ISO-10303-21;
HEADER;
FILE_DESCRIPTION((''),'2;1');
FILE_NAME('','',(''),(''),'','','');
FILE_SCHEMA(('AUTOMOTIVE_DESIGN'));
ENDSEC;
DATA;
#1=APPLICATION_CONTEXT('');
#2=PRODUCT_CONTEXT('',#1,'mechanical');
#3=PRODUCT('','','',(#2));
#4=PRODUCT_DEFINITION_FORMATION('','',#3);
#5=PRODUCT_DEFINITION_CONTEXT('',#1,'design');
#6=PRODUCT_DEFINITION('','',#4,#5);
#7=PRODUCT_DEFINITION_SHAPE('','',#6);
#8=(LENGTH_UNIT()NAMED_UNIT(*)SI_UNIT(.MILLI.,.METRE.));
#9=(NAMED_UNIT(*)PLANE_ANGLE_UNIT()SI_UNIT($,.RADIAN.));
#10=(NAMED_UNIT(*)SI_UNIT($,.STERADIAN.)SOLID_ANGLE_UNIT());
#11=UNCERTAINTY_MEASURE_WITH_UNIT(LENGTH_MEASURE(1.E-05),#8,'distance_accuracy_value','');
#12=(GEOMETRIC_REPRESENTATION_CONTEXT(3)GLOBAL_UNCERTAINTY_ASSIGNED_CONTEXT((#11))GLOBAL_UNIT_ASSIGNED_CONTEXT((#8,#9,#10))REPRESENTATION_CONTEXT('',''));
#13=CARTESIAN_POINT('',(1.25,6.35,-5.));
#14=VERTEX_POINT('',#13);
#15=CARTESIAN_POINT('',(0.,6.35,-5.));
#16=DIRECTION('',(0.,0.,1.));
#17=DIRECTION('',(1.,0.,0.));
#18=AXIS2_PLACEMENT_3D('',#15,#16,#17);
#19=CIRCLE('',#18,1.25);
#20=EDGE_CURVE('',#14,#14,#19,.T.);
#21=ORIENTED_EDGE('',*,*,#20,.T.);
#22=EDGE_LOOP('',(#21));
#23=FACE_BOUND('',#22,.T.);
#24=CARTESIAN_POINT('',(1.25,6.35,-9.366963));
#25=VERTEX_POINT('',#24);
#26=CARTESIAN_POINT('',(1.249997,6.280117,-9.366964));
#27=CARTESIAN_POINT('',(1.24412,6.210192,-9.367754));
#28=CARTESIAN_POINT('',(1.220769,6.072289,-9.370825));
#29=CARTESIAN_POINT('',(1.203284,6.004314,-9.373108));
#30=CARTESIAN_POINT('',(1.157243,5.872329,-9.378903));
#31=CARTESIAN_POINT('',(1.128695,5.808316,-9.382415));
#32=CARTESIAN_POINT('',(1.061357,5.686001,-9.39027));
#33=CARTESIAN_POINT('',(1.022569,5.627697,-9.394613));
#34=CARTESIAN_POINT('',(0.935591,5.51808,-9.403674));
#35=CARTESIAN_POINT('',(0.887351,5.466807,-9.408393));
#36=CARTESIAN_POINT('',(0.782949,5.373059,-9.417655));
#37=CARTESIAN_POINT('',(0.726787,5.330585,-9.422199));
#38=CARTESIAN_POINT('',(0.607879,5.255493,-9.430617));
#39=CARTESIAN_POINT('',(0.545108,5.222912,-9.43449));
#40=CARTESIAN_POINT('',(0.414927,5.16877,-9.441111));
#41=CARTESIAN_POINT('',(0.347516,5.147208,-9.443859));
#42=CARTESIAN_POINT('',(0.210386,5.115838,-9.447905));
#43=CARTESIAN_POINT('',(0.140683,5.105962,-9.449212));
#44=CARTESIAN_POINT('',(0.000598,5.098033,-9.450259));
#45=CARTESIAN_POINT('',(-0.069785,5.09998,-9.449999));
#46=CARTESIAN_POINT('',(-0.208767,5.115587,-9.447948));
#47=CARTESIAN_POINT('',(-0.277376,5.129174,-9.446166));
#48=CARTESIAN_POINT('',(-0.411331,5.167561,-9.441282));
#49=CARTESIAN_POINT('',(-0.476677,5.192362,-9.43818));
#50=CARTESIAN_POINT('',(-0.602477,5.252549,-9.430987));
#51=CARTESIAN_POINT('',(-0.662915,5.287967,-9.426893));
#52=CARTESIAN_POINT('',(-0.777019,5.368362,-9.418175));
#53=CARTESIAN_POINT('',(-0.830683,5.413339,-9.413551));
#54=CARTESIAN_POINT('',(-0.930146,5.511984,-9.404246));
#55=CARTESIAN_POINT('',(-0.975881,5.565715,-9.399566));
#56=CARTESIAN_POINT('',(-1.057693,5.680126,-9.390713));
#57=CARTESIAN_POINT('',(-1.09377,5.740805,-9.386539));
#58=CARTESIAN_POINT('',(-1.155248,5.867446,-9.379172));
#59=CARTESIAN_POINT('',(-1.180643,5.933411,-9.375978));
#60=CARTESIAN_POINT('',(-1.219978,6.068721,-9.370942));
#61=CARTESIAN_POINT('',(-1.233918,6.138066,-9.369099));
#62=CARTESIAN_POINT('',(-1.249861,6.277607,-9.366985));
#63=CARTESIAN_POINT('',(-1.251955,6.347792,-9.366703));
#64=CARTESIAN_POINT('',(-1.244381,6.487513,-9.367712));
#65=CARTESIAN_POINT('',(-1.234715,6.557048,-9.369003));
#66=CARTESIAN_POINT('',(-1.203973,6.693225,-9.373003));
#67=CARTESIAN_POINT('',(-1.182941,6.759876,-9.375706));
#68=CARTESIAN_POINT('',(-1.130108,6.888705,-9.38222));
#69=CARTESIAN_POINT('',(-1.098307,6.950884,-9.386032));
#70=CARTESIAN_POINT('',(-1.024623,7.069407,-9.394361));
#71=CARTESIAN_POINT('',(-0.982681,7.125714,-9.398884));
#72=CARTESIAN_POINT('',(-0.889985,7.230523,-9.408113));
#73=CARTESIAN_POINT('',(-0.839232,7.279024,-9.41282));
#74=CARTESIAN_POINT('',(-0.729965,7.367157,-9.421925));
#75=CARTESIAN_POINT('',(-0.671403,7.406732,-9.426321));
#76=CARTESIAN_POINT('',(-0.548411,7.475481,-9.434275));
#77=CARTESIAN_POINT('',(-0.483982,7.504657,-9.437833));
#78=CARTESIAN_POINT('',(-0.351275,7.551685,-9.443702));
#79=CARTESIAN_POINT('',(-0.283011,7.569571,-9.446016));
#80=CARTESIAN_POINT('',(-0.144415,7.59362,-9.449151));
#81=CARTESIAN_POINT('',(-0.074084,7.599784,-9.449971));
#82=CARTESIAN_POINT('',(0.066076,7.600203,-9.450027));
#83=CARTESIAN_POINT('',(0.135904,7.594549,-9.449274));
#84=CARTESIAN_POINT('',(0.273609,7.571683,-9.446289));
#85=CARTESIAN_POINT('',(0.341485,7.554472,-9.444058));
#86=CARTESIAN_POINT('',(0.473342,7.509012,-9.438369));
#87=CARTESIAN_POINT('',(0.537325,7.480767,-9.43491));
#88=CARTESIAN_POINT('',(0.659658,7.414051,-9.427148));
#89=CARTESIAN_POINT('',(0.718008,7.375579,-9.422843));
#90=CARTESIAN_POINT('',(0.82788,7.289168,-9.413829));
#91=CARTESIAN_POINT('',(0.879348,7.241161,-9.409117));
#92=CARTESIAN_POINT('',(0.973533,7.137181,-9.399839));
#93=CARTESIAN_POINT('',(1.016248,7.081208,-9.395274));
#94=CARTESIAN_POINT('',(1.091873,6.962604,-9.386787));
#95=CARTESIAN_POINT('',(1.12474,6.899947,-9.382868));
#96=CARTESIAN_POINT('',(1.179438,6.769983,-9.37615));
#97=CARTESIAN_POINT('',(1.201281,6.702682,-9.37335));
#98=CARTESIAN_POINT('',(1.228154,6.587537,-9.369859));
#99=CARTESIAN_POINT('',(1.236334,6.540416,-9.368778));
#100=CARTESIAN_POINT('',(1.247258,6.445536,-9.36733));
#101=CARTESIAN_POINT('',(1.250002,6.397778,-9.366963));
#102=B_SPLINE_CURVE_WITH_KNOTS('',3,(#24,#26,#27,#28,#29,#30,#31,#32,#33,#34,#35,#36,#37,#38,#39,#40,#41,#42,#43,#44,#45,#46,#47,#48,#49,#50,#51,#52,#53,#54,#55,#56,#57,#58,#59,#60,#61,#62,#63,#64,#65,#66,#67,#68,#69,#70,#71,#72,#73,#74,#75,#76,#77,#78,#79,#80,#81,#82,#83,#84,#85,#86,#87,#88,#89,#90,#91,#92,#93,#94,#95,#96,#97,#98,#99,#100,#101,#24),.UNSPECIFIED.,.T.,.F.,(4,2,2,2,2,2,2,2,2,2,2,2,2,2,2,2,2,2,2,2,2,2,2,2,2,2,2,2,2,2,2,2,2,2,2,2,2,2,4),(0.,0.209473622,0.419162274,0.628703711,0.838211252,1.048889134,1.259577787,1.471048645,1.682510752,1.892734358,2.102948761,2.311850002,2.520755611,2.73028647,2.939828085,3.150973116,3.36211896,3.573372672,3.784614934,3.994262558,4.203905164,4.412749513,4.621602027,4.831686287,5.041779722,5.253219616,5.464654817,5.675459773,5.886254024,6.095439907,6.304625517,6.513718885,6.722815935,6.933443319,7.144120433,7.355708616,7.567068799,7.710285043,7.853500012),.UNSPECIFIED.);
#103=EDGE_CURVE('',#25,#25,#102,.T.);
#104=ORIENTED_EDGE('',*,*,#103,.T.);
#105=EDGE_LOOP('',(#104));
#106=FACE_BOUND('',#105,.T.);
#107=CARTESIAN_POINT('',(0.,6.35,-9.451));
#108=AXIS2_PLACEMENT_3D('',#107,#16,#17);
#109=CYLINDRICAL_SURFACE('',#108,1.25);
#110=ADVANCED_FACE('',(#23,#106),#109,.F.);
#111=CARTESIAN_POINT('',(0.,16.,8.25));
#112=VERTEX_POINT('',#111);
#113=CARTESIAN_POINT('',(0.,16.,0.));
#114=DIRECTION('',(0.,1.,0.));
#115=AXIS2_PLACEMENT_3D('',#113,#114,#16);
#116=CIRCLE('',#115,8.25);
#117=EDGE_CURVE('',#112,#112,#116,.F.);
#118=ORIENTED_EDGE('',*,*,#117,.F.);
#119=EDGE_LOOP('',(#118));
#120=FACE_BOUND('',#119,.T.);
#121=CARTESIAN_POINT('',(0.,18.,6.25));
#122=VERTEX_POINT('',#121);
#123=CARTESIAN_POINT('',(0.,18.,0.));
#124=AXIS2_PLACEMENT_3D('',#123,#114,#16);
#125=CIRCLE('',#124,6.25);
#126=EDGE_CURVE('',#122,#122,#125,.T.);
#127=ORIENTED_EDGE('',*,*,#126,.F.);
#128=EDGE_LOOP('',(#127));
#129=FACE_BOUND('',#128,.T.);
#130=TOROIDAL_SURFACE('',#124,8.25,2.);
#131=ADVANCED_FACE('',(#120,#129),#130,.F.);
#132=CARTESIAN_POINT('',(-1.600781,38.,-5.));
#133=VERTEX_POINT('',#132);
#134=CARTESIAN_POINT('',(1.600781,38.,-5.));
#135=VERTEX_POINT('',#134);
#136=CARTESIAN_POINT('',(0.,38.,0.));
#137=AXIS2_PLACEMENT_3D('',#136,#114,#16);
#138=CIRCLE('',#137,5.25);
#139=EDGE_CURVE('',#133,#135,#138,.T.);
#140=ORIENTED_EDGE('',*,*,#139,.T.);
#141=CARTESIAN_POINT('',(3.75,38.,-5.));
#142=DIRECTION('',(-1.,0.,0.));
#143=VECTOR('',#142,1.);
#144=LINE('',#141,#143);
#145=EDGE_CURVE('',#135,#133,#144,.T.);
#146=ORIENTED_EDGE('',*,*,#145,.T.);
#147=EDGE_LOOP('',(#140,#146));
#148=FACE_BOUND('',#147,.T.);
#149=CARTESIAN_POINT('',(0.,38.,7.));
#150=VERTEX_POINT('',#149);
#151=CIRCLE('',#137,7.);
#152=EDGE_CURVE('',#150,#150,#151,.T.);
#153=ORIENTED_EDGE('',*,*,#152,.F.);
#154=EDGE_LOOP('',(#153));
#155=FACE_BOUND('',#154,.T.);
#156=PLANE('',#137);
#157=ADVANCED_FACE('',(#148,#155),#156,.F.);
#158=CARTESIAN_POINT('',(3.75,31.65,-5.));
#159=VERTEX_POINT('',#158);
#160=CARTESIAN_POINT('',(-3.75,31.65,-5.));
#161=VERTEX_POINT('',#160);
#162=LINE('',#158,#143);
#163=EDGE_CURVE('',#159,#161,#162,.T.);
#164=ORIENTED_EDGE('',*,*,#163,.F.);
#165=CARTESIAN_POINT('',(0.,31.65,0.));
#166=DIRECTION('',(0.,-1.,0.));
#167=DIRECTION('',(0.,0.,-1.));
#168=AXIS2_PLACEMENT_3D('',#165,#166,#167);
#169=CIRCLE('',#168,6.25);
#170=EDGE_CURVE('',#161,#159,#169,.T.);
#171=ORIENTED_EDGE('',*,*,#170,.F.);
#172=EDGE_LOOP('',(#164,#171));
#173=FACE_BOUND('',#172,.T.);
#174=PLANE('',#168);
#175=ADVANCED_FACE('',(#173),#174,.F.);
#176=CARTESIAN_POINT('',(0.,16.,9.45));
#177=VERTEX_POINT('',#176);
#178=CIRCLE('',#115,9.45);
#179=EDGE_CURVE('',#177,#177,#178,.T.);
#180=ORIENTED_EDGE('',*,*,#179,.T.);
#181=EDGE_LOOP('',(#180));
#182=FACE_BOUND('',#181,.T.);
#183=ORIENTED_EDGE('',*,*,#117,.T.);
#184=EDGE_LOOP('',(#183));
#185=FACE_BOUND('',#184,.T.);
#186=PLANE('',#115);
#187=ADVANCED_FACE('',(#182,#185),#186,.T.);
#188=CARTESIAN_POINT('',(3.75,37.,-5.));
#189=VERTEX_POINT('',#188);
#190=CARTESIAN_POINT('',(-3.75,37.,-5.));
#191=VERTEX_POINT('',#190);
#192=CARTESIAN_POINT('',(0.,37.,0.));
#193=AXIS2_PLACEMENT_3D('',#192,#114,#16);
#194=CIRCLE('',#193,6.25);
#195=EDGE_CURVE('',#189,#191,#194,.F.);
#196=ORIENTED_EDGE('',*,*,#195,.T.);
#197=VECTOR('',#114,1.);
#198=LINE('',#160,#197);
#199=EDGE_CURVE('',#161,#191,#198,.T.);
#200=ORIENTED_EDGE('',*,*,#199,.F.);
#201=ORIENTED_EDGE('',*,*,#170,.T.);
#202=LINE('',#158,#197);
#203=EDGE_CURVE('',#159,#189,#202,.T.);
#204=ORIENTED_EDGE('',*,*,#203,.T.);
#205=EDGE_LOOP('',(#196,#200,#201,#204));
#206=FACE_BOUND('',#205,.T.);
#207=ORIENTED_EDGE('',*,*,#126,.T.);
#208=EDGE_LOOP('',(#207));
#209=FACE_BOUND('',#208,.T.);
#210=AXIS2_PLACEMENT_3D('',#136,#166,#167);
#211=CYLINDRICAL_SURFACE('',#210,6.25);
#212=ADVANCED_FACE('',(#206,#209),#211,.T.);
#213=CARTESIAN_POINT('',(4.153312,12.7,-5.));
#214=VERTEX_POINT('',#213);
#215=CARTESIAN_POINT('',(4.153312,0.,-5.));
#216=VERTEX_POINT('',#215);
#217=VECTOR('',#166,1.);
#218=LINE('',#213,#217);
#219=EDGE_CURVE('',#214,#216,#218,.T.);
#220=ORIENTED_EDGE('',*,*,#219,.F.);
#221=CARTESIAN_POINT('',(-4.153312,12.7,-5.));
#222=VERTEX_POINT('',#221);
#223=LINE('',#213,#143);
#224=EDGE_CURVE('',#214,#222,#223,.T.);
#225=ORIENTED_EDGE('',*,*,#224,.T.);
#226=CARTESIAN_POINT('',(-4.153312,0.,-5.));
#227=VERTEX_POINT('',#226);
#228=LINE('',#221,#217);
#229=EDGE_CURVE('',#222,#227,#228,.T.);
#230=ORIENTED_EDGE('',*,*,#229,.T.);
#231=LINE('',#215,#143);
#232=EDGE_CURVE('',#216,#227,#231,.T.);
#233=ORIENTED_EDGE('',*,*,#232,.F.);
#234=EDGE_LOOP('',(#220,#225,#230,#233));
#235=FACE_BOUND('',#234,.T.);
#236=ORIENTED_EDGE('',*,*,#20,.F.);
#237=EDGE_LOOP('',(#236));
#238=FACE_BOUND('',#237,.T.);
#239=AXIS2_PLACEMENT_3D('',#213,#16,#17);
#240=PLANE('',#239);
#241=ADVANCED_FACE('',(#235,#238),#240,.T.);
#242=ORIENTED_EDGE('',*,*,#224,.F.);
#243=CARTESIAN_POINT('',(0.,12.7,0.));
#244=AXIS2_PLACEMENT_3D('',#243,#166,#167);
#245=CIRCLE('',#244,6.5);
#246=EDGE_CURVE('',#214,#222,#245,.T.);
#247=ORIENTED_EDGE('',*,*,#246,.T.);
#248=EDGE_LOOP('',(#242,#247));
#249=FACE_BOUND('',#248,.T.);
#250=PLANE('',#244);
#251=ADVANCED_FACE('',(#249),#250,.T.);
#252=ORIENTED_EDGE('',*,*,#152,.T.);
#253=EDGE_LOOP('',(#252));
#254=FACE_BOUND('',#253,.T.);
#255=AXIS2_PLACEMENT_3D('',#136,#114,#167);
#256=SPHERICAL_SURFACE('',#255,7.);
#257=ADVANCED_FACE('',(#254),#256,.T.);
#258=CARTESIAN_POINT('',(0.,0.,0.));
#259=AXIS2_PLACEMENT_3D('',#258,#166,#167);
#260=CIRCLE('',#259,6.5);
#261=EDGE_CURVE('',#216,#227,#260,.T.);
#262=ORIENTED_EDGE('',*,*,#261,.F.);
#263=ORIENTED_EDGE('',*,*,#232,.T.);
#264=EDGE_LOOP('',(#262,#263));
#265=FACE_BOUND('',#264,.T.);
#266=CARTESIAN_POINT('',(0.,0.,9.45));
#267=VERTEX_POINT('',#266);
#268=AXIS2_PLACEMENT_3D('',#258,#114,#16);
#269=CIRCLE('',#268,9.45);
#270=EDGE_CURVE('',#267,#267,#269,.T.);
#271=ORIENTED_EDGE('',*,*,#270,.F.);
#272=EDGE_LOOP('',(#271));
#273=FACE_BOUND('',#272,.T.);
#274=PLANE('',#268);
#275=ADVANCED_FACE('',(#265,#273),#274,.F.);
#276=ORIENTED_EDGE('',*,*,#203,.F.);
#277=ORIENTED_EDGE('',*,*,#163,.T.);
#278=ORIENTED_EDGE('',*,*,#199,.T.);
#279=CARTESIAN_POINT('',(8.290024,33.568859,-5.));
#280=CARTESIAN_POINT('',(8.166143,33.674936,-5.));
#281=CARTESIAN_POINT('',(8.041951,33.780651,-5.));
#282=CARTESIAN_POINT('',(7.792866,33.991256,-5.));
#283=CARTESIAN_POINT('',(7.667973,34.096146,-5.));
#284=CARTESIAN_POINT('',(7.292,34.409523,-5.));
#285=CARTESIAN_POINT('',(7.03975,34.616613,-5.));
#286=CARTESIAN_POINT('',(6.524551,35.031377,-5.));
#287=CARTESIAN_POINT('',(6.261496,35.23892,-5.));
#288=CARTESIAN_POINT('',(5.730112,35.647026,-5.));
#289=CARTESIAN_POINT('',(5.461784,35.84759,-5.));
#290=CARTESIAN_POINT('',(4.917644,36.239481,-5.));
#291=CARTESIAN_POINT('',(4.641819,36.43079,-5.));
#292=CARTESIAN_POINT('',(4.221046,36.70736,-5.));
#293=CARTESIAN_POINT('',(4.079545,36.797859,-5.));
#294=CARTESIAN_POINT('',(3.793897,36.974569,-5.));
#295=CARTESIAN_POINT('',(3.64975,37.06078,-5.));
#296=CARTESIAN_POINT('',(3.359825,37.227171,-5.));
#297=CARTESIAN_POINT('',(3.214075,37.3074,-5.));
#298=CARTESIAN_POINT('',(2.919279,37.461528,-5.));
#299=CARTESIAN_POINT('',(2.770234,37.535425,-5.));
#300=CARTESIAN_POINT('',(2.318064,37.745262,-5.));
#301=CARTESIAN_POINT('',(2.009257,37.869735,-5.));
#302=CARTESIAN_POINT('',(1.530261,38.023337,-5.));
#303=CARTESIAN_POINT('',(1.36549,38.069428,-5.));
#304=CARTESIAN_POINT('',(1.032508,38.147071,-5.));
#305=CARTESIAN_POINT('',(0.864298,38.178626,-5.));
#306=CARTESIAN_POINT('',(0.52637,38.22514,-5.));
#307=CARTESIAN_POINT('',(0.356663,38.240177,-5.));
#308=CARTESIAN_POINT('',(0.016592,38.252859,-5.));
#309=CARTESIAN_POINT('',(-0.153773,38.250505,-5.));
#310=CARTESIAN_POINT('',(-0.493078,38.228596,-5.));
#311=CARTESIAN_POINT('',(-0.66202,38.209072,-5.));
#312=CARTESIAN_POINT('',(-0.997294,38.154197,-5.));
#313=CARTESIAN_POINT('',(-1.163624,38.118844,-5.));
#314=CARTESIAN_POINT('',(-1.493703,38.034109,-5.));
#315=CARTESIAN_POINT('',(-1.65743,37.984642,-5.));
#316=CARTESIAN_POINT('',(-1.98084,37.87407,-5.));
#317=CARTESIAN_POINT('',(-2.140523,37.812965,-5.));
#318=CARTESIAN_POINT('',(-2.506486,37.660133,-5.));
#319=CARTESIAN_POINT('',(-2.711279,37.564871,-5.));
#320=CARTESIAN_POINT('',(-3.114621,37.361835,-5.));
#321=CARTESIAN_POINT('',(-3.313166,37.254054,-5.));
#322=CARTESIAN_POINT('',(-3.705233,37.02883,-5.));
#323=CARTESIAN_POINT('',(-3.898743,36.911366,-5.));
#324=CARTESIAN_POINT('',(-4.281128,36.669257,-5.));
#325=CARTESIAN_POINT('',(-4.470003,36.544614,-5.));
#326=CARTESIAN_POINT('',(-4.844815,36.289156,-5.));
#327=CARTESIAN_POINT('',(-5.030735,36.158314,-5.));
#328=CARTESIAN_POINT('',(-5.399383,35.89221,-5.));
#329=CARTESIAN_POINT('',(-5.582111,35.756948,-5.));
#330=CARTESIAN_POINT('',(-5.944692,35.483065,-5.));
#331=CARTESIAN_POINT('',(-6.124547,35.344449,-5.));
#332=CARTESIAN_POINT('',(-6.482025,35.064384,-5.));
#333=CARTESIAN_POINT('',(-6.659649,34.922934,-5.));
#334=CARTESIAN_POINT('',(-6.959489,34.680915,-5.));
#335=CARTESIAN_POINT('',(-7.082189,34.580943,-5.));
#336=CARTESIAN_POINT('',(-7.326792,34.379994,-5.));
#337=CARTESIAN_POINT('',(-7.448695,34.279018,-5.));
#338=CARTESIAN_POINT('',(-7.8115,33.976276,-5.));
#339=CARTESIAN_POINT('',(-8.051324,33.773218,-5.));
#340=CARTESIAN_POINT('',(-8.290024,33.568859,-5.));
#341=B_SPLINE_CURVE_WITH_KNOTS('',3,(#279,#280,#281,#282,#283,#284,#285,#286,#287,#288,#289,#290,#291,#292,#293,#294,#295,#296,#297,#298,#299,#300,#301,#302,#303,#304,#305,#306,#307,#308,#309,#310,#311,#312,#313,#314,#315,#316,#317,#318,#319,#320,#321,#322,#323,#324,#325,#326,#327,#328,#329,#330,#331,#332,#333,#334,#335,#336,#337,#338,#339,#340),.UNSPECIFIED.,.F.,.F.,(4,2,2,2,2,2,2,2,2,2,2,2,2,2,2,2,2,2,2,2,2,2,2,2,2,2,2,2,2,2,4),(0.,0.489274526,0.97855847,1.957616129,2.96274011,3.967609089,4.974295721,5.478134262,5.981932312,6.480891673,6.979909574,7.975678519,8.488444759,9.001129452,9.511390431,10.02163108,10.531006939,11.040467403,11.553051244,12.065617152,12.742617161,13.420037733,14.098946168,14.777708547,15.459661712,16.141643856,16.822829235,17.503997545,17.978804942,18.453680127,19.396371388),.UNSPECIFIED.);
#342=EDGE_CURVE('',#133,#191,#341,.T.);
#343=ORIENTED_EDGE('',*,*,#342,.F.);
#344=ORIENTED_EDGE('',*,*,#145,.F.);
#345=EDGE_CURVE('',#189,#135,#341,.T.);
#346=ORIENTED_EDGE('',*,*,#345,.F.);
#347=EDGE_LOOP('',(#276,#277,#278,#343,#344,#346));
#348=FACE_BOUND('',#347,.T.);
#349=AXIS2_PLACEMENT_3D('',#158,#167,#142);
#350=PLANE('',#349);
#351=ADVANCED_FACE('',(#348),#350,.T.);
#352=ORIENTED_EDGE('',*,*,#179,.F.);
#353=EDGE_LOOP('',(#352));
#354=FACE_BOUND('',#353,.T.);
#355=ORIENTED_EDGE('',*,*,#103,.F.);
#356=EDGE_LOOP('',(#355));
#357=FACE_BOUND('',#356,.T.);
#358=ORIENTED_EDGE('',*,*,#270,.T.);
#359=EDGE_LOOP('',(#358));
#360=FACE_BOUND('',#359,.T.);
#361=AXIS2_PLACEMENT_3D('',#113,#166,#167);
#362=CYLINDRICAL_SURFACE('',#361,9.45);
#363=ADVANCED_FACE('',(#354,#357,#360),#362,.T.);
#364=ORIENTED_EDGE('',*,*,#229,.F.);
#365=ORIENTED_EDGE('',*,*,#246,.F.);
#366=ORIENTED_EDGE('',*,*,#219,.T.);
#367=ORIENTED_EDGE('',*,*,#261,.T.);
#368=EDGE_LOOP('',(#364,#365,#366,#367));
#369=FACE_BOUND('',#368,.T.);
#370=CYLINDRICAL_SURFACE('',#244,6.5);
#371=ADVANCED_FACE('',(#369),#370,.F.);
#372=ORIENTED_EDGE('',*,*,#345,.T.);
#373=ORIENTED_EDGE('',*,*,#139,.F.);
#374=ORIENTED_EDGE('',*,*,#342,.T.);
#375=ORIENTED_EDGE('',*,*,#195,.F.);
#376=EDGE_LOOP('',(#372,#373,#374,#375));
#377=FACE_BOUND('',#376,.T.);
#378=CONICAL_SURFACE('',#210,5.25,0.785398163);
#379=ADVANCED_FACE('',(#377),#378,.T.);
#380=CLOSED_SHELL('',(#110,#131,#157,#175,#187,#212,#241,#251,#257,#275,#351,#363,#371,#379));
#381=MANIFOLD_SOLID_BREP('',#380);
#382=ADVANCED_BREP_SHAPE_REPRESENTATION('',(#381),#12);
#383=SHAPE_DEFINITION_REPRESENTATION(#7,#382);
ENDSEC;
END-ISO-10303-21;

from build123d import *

# Parameters (mm, degrees)
SKETCH1_R               = 6.25
BOSS_EXTRUDE1_DEPTH     = 38
SKETCH1_3_R             = 9.45
BOSS_EXTRUDE2_DEPTH     = 16
FILLET1_R               = 2
CHAMFER1_SIZE           = 1
CUT_EXTRUDE4_START      = 6.35
CUT_EXTRUDE4_DEPTH      = 6.35
CUT_EXTRUDE5_DEPTH      = 12.7
CUT_EXTRUDE6_REACH      = 50.199
CUT_EXTRUDE6_END_RADIUS = 9.45
SKETCH6_R               = 1.25


with BuildPart() as part:
    # Sketch1 → Boss-Extrude1 (new body)
    with BuildSketch(Plane(origin=(0, 0, 0), x_dir=(1, 0, 0), z_dir=(0, 1, 0))):
        Circle(SKETCH1_R)
    extrude(amount=BOSS_EXTRUDE1_DEPTH)

    # Sketch1<3> → Boss-Extrude2 (add)
    with BuildSketch(Plane(origin=(0, 0, 0), x_dir=(1, 0, 0), z_dir=(0, 1, 0))):
        Circle(SKETCH1_3_R)
    extrude(amount=BOSS_EXTRUDE2_DEPTH)

    # Fillet1
    fillet1_edges = [part.edges().sort_by_distance(p)[0] for p in [
        (-6.25, 16, 0),
    ]]
    fillet(fillet1_edges, radius=FILLET1_R)

    # Chamfer1
    chamfer1_edges = [part.edges().sort_by_distance(p)[0] for p in [
        (-6.25, 38, 0),
    ]]
    chamfer(chamfer1_edges, length=CHAMFER1_SIZE)

    # Sketch2 → Revolve1 (revolve)
    with BuildSketch(Plane(origin=(0, 0, 0), x_dir=(0, 0, -1), z_dir=(1, 0, 0))):
        with BuildLine():
            Line((0, 45), (0, 38))
            Line((0, 38), (7, 38))
            ThreePointArc((7, 38), (4.949747468, 42.949747468), (0, 45))
        make_face()
    revolve(axis=Axis((0, 47.571975937, 0), (0, -1, 0)))

    # Sketch3 → Cut-Extrude4 (cut)
    with BuildSketch(Plane(origin=(0, 38, 0), x_dir=(-1, 0, 0), z_dir=(0, -1, 0)).offset(CUT_EXTRUDE4_START)):
        with BuildLine():
            Line((-3.75, 5), (3.75, 5))
            ThreePointArc((3.75, 5), (0, 6.25), (-3.75, 5))
        make_face()
    extrude(amount=-CUT_EXTRUDE4_DEPTH, mode=Mode.SUBTRACT)

    # Sketch5 → Cut-Extrude5 (cut)
    with BuildSketch(Plane.XZ):
        with BuildLine():
            Line((4.153311931, -5), (-4.153311931, -5))
            ThreePointArc((-4.153311931, -5), (0, 6.5), (4.153311931, -5))
        make_face()
    extrude(amount=-CUT_EXTRUDE5_DEPTH, mode=Mode.SUBTRACT)

    # Cut-Extrude6: up to this cylinder (the profile starts inside it)
    cut_extrude6_end = Plane(origin=(0, 6.35, 0), z_dir=(0, -1, 0)) * Cylinder(CUT_EXTRUDE6_END_RADIUS, 120.298, mode=Mode.PRIVATE)
    # Sketch6 → Cut-Extrude6 (cut, up to the surface)
    with BuildSketch(Plane.XY.offset(-5), mode=Mode.PRIVATE) as cut_extrude6_sk1:
        with Locations((0, 6.35)):
            Circle(SKETCH6_R)
    cut_extrude6_tool1 = extrude(cut_extrude6_sk1.sketch, amount=-CUT_EXTRUDE6_REACH, mode=Mode.PRIVATE) & cut_extrude6_end
    add(cut_extrude6_tool1.solids().sort_by_distance((0, 6.35, -5))[0], mode=Mode.SUBTRACT)


solid = part.part
